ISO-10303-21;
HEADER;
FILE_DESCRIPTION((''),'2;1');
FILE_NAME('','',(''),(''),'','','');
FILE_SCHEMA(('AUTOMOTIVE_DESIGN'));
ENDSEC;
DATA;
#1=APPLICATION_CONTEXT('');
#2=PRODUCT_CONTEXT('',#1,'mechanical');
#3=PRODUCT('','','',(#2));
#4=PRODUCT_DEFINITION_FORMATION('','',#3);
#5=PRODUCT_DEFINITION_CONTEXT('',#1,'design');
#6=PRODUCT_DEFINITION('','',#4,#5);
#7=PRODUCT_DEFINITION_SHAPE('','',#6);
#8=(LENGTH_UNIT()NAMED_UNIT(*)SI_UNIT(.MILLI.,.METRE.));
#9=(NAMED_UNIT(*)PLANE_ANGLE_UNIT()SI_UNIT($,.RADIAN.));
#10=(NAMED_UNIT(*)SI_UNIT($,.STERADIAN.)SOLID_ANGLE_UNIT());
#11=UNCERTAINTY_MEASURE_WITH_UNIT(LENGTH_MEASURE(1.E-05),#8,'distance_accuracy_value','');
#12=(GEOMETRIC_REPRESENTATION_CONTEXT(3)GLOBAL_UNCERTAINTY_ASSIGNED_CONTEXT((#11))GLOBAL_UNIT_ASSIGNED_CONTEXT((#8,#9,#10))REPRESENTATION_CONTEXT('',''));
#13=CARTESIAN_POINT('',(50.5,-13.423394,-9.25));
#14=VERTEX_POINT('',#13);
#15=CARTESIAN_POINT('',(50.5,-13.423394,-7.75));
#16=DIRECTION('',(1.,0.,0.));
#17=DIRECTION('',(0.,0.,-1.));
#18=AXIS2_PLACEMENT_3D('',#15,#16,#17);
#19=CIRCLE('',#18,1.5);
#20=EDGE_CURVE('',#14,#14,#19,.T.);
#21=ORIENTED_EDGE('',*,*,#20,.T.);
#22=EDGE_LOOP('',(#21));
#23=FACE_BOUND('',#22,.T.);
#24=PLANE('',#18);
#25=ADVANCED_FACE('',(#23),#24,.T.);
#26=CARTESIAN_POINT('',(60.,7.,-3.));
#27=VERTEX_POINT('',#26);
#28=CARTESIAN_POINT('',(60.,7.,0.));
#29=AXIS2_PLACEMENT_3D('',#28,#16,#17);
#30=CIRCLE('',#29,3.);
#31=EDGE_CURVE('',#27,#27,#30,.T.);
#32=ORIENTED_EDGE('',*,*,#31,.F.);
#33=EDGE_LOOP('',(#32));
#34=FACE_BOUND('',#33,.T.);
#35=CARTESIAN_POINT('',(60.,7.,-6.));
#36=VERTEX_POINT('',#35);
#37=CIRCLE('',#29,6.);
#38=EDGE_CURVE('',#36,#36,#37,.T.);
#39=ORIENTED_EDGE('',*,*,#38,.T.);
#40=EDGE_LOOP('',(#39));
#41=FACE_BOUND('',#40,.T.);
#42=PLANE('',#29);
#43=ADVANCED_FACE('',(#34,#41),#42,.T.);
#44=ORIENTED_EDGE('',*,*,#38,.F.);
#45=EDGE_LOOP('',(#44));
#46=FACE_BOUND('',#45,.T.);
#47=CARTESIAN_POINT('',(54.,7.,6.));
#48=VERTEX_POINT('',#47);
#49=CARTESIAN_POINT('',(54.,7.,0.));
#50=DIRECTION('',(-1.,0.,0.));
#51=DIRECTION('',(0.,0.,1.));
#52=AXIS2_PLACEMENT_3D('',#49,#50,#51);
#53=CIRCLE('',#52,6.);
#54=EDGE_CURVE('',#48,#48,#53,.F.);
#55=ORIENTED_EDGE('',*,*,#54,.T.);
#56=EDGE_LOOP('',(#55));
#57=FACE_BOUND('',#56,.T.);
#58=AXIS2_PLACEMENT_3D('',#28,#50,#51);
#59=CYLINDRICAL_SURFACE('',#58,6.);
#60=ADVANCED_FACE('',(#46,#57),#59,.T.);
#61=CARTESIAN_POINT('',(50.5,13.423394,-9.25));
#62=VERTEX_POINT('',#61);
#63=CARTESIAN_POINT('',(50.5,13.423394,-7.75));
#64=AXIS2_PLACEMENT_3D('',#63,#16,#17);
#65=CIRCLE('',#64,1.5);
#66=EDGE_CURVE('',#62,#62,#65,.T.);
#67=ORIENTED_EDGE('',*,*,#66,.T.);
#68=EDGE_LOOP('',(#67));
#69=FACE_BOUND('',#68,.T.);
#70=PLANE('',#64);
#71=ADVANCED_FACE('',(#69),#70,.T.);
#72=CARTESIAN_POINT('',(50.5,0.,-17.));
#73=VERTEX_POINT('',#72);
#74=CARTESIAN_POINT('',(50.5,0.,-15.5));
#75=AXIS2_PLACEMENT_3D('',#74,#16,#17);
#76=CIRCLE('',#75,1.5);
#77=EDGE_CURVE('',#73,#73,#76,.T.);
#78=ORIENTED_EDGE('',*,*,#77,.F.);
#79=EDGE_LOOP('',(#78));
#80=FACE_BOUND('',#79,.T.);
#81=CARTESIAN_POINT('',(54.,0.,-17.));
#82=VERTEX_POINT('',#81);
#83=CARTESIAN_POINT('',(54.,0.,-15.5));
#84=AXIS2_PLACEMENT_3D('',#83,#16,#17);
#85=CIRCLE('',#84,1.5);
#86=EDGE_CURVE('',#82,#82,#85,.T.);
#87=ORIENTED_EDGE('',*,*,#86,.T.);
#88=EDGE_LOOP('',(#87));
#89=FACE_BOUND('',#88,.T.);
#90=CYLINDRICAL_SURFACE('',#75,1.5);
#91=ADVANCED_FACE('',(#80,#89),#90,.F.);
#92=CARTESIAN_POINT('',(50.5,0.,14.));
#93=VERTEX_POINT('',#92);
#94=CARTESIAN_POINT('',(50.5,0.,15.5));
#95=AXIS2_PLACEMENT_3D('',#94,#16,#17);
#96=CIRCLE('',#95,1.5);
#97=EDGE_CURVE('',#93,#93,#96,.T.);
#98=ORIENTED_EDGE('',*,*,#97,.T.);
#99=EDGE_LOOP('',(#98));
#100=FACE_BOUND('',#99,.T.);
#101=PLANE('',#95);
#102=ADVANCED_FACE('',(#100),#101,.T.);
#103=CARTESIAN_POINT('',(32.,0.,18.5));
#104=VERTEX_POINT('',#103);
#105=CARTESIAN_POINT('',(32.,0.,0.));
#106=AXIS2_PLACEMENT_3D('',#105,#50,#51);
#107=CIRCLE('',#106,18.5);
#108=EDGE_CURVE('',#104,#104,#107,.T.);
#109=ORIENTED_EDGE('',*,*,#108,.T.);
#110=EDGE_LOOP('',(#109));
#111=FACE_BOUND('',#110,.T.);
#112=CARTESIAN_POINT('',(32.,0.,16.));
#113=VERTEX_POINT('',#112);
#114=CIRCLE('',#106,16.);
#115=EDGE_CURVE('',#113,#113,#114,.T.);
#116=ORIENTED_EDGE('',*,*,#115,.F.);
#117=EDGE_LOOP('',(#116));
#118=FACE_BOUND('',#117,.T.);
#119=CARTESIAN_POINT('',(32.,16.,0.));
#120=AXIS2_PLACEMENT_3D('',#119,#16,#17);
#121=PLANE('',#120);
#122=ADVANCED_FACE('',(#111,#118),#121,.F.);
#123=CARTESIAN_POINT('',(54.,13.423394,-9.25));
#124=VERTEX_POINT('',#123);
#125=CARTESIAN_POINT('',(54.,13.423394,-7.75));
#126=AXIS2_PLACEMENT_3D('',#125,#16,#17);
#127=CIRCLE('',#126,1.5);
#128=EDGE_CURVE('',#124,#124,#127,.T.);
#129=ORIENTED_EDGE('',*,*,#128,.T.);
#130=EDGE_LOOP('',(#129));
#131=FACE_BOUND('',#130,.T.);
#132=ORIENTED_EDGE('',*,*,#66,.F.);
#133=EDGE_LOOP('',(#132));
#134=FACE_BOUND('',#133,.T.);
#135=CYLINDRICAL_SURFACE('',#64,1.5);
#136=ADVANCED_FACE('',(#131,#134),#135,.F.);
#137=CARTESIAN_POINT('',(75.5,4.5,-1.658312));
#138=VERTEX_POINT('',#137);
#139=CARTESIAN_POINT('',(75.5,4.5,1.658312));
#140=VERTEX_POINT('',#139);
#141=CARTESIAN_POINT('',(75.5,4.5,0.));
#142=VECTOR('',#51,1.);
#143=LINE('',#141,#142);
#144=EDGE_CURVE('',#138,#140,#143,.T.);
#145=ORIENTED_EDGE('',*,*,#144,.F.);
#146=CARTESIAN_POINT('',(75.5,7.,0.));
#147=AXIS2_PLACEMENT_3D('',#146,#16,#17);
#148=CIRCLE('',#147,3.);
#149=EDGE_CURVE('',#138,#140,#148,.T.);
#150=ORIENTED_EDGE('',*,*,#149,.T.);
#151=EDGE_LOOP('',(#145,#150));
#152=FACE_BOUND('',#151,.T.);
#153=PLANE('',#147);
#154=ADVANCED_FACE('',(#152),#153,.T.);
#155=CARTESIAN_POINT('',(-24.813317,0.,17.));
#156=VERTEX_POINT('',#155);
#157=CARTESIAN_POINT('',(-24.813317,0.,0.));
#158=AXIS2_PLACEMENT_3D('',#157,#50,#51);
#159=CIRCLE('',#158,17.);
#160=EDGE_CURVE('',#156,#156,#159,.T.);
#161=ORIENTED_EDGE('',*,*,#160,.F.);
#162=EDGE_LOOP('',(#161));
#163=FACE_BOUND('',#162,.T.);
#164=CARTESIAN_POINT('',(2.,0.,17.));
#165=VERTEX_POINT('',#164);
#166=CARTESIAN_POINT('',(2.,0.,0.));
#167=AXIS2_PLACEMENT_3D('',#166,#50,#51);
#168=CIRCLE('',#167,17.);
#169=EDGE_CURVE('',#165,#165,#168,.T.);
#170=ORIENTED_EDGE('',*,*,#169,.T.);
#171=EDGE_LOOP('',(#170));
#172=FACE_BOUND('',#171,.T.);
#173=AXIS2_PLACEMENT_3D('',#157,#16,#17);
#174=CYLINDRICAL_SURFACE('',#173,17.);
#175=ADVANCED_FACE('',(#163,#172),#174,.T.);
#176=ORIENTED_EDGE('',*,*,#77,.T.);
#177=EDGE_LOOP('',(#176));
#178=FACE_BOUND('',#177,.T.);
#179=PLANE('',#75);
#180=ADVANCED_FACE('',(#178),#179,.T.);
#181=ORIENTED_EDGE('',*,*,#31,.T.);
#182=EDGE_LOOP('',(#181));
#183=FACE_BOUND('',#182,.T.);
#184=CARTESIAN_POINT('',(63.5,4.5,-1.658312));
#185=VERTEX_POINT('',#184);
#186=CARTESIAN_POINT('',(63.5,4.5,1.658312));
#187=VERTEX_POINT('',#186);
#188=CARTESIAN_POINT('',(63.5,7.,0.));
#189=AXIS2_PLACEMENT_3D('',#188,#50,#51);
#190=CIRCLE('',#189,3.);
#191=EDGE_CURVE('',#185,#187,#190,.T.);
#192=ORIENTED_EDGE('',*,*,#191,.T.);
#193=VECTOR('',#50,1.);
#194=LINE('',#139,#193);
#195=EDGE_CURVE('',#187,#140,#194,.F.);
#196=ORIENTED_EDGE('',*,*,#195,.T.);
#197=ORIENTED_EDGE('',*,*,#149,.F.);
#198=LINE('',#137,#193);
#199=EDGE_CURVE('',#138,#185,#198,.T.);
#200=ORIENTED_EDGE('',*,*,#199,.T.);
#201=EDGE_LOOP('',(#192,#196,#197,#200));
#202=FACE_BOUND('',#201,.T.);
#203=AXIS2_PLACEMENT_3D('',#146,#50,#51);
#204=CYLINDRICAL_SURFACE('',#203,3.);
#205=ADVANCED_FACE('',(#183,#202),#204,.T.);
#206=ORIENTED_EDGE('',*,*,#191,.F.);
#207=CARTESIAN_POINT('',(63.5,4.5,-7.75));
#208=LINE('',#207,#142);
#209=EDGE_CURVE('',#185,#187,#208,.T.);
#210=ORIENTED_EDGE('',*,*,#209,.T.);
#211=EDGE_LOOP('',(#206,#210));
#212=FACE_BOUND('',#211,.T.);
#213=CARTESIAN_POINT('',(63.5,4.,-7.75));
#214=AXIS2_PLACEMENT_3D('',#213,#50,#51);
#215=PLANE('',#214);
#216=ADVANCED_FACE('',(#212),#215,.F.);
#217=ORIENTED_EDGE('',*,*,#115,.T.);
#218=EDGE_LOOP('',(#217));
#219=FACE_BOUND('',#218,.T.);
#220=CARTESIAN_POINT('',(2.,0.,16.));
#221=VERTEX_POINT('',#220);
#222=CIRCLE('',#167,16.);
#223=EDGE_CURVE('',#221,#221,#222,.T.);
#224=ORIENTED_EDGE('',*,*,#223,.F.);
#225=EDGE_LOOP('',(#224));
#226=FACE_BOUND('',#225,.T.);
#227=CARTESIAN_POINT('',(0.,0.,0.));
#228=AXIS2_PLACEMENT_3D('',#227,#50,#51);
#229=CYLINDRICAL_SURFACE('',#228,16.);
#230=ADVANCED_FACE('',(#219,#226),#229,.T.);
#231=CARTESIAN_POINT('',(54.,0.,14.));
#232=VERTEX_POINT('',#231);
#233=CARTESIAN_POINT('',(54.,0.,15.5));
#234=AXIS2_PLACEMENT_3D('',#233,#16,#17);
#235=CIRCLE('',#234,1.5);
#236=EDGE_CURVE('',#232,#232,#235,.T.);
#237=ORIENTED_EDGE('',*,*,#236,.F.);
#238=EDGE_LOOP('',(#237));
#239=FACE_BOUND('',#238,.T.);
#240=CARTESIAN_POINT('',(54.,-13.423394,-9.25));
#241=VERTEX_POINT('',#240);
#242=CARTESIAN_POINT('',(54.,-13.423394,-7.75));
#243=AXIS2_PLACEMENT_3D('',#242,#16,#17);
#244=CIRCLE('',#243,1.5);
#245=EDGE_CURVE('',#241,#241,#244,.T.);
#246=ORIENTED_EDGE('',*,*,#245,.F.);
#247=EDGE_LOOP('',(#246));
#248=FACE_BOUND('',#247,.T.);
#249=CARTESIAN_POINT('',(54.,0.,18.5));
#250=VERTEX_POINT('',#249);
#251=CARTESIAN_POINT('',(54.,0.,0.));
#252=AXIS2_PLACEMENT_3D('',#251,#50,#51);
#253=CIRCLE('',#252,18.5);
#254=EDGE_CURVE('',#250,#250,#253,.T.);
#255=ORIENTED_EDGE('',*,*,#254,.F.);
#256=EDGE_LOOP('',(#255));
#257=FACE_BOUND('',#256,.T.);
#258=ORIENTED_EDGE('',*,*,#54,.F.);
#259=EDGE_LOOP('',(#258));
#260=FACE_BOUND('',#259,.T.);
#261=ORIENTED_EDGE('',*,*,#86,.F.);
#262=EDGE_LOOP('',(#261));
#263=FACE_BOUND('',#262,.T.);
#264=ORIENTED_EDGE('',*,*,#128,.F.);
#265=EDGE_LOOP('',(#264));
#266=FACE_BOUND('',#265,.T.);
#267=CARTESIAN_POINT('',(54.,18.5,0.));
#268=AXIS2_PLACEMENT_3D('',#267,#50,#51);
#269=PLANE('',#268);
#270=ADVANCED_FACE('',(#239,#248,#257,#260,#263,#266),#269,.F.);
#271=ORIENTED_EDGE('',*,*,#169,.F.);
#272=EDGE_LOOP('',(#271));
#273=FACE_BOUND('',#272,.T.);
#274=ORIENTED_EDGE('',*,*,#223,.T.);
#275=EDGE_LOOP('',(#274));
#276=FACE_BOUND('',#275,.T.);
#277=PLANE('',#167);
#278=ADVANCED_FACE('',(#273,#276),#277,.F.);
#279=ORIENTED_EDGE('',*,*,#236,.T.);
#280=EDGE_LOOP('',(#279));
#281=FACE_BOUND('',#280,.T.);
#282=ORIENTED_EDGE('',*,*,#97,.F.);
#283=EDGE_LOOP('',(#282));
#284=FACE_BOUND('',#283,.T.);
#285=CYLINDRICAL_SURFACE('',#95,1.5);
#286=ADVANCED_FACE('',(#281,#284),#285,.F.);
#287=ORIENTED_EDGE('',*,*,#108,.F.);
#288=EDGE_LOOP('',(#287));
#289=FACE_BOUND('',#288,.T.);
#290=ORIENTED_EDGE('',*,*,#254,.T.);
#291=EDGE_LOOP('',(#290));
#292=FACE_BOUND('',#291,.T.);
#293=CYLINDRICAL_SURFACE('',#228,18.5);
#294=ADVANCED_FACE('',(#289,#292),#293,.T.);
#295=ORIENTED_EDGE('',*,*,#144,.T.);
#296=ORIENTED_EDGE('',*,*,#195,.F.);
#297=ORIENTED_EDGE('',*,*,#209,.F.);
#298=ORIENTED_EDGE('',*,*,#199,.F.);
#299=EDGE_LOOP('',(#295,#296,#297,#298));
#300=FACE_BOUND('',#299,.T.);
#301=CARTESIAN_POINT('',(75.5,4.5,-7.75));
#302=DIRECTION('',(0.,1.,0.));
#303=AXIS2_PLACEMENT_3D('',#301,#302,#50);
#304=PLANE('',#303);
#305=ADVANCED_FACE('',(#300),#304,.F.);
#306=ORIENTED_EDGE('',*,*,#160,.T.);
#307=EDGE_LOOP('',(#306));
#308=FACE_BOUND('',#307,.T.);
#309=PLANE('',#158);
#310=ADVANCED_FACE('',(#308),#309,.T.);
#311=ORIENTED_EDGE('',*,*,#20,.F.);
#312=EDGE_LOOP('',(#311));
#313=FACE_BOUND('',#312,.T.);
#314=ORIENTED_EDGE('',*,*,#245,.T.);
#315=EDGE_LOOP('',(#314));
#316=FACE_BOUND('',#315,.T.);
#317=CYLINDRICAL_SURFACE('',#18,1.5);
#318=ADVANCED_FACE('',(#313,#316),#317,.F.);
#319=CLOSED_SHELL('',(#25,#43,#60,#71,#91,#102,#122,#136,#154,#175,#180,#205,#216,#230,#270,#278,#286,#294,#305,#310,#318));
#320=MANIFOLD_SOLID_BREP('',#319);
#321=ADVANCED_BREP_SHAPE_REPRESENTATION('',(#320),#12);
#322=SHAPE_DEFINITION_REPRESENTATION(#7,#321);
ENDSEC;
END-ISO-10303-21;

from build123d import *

# Parameters (mm, degrees)
ESQUISSE2_R             = 6
BOSS_EXTRU_1_DEPTH      = 6
ESQUISSE3_R             = 3
BOSS_EXTRU_2_DEPTH      = 15.5
ESQUISSE4_W             = 12
ESQUISSE4_H             = 0.5
ENL_V_MAT_EXTRU_1_DEPTH = 7.75
ESQUISSE5_R             = 1.5
ENL_V_MAT_EXTRU_2_DEPTH = 3.5
ESQUISSE6_W             = 3
ESQUISSE6_H             = 1
BOSS_EXTRU_3_DEPTH      = 4
ESQUISSE7_R             = 17
BOSS_EXTRU_4_DEPTH      = 26.813317369


with BuildPart() as part:
    # Esquisse1 → Révolution1 (revolve)
    with BuildSketch(Plane.XY, mode=Mode.PRIVATE) as r_volution1_sk:
        Polygon((0, 0), (0, 2), (2, 2), (2, 16), (32, 16), (32, 18.5), (54, 18.5), (54, 0), align=None)
    revolve(r_volution1_sk.sketch.rotate(Axis((0, 0, 0), (1, 0, 0)), 90), axis=Axis((0, 0, 0), (1, 0, 0)))

    # Esquisse2 → Boss.-Extru.1 (add)
    with BuildSketch(Plane(origin=(54, 0, 0), x_dir=(0, 0, -1), z_dir=(1, 0, 0))):
        with Locations(Location((0, 7, 0), (0, 0, 180))):
            Circle(ESQUISSE2_R)
    extrude(amount=BOSS_EXTRU_1_DEPTH)

    # Esquisse3 → Boss.-Extru.2 (add)
    with BuildSketch(Plane(origin=(60, 0, 0), x_dir=(0, 0, -1), z_dir=(1, 0, 0))):
        with Locations((0, 7)):
            Circle(ESQUISSE3_R)
    extrude(amount=BOSS_EXTRU_2_DEPTH)

    # Esquisse4 → Enlèv. mat.-Extru.1 (cut, symmetric)
    with BuildSketch(Plane.XY):
        with Locations((69.5, 4.25)):
            Rectangle(ESQUISSE4_W, ESQUISSE4_H)
    extrude(amount=ENL_V_MAT_EXTRU_1_DEPTH, both=True, mode=Mode.SUBTRACT)

    # Esquisse5 → Enlèv. mat.-Extru.2 (cut)
    with BuildSketch(Plane(origin=(54, 0, 0), x_dir=(0, 0, -1), z_dir=(1, 0, 0))):
        with Locations((15.5, 0)):
            Circle(ESQUISSE5_R)
        with Locations((7.75, 13.423393759)):
            Circle(ESQUISSE5_R)
        with Locations((7.75, -13.423393759)):
            Circle(ESQUISSE5_R)
        with Locations((-15.5, 0)):
            Circle(ESQUISSE5_R)
    extrude(amount=-ENL_V_MAT_EXTRU_2_DEPTH, mode=Mode.SUBTRACT)

    # Esquisse6 → Boss.-Extru.3 (add)
    with BuildSketch(Plane.ZY.offset(-2)):
        with Locations((0, 12.939057981)):
            Rectangle(ESQUISSE6_W, ESQUISSE6_H)
        with Locations((0, -12.939057981)):
            Rectangle(ESQUISSE6_W, ESQUISSE6_H)
    extrude(amount=BOSS_EXTRU_3_DEPTH)

    # Esquisse7 → Boss.-Extru.4 (add)
    with BuildSketch(Plane.ZY.offset(-2)):
        Circle(ESQUISSE7_R)
    extrude(amount=BOSS_EXTRU_4_DEPTH)


solid = part.part
